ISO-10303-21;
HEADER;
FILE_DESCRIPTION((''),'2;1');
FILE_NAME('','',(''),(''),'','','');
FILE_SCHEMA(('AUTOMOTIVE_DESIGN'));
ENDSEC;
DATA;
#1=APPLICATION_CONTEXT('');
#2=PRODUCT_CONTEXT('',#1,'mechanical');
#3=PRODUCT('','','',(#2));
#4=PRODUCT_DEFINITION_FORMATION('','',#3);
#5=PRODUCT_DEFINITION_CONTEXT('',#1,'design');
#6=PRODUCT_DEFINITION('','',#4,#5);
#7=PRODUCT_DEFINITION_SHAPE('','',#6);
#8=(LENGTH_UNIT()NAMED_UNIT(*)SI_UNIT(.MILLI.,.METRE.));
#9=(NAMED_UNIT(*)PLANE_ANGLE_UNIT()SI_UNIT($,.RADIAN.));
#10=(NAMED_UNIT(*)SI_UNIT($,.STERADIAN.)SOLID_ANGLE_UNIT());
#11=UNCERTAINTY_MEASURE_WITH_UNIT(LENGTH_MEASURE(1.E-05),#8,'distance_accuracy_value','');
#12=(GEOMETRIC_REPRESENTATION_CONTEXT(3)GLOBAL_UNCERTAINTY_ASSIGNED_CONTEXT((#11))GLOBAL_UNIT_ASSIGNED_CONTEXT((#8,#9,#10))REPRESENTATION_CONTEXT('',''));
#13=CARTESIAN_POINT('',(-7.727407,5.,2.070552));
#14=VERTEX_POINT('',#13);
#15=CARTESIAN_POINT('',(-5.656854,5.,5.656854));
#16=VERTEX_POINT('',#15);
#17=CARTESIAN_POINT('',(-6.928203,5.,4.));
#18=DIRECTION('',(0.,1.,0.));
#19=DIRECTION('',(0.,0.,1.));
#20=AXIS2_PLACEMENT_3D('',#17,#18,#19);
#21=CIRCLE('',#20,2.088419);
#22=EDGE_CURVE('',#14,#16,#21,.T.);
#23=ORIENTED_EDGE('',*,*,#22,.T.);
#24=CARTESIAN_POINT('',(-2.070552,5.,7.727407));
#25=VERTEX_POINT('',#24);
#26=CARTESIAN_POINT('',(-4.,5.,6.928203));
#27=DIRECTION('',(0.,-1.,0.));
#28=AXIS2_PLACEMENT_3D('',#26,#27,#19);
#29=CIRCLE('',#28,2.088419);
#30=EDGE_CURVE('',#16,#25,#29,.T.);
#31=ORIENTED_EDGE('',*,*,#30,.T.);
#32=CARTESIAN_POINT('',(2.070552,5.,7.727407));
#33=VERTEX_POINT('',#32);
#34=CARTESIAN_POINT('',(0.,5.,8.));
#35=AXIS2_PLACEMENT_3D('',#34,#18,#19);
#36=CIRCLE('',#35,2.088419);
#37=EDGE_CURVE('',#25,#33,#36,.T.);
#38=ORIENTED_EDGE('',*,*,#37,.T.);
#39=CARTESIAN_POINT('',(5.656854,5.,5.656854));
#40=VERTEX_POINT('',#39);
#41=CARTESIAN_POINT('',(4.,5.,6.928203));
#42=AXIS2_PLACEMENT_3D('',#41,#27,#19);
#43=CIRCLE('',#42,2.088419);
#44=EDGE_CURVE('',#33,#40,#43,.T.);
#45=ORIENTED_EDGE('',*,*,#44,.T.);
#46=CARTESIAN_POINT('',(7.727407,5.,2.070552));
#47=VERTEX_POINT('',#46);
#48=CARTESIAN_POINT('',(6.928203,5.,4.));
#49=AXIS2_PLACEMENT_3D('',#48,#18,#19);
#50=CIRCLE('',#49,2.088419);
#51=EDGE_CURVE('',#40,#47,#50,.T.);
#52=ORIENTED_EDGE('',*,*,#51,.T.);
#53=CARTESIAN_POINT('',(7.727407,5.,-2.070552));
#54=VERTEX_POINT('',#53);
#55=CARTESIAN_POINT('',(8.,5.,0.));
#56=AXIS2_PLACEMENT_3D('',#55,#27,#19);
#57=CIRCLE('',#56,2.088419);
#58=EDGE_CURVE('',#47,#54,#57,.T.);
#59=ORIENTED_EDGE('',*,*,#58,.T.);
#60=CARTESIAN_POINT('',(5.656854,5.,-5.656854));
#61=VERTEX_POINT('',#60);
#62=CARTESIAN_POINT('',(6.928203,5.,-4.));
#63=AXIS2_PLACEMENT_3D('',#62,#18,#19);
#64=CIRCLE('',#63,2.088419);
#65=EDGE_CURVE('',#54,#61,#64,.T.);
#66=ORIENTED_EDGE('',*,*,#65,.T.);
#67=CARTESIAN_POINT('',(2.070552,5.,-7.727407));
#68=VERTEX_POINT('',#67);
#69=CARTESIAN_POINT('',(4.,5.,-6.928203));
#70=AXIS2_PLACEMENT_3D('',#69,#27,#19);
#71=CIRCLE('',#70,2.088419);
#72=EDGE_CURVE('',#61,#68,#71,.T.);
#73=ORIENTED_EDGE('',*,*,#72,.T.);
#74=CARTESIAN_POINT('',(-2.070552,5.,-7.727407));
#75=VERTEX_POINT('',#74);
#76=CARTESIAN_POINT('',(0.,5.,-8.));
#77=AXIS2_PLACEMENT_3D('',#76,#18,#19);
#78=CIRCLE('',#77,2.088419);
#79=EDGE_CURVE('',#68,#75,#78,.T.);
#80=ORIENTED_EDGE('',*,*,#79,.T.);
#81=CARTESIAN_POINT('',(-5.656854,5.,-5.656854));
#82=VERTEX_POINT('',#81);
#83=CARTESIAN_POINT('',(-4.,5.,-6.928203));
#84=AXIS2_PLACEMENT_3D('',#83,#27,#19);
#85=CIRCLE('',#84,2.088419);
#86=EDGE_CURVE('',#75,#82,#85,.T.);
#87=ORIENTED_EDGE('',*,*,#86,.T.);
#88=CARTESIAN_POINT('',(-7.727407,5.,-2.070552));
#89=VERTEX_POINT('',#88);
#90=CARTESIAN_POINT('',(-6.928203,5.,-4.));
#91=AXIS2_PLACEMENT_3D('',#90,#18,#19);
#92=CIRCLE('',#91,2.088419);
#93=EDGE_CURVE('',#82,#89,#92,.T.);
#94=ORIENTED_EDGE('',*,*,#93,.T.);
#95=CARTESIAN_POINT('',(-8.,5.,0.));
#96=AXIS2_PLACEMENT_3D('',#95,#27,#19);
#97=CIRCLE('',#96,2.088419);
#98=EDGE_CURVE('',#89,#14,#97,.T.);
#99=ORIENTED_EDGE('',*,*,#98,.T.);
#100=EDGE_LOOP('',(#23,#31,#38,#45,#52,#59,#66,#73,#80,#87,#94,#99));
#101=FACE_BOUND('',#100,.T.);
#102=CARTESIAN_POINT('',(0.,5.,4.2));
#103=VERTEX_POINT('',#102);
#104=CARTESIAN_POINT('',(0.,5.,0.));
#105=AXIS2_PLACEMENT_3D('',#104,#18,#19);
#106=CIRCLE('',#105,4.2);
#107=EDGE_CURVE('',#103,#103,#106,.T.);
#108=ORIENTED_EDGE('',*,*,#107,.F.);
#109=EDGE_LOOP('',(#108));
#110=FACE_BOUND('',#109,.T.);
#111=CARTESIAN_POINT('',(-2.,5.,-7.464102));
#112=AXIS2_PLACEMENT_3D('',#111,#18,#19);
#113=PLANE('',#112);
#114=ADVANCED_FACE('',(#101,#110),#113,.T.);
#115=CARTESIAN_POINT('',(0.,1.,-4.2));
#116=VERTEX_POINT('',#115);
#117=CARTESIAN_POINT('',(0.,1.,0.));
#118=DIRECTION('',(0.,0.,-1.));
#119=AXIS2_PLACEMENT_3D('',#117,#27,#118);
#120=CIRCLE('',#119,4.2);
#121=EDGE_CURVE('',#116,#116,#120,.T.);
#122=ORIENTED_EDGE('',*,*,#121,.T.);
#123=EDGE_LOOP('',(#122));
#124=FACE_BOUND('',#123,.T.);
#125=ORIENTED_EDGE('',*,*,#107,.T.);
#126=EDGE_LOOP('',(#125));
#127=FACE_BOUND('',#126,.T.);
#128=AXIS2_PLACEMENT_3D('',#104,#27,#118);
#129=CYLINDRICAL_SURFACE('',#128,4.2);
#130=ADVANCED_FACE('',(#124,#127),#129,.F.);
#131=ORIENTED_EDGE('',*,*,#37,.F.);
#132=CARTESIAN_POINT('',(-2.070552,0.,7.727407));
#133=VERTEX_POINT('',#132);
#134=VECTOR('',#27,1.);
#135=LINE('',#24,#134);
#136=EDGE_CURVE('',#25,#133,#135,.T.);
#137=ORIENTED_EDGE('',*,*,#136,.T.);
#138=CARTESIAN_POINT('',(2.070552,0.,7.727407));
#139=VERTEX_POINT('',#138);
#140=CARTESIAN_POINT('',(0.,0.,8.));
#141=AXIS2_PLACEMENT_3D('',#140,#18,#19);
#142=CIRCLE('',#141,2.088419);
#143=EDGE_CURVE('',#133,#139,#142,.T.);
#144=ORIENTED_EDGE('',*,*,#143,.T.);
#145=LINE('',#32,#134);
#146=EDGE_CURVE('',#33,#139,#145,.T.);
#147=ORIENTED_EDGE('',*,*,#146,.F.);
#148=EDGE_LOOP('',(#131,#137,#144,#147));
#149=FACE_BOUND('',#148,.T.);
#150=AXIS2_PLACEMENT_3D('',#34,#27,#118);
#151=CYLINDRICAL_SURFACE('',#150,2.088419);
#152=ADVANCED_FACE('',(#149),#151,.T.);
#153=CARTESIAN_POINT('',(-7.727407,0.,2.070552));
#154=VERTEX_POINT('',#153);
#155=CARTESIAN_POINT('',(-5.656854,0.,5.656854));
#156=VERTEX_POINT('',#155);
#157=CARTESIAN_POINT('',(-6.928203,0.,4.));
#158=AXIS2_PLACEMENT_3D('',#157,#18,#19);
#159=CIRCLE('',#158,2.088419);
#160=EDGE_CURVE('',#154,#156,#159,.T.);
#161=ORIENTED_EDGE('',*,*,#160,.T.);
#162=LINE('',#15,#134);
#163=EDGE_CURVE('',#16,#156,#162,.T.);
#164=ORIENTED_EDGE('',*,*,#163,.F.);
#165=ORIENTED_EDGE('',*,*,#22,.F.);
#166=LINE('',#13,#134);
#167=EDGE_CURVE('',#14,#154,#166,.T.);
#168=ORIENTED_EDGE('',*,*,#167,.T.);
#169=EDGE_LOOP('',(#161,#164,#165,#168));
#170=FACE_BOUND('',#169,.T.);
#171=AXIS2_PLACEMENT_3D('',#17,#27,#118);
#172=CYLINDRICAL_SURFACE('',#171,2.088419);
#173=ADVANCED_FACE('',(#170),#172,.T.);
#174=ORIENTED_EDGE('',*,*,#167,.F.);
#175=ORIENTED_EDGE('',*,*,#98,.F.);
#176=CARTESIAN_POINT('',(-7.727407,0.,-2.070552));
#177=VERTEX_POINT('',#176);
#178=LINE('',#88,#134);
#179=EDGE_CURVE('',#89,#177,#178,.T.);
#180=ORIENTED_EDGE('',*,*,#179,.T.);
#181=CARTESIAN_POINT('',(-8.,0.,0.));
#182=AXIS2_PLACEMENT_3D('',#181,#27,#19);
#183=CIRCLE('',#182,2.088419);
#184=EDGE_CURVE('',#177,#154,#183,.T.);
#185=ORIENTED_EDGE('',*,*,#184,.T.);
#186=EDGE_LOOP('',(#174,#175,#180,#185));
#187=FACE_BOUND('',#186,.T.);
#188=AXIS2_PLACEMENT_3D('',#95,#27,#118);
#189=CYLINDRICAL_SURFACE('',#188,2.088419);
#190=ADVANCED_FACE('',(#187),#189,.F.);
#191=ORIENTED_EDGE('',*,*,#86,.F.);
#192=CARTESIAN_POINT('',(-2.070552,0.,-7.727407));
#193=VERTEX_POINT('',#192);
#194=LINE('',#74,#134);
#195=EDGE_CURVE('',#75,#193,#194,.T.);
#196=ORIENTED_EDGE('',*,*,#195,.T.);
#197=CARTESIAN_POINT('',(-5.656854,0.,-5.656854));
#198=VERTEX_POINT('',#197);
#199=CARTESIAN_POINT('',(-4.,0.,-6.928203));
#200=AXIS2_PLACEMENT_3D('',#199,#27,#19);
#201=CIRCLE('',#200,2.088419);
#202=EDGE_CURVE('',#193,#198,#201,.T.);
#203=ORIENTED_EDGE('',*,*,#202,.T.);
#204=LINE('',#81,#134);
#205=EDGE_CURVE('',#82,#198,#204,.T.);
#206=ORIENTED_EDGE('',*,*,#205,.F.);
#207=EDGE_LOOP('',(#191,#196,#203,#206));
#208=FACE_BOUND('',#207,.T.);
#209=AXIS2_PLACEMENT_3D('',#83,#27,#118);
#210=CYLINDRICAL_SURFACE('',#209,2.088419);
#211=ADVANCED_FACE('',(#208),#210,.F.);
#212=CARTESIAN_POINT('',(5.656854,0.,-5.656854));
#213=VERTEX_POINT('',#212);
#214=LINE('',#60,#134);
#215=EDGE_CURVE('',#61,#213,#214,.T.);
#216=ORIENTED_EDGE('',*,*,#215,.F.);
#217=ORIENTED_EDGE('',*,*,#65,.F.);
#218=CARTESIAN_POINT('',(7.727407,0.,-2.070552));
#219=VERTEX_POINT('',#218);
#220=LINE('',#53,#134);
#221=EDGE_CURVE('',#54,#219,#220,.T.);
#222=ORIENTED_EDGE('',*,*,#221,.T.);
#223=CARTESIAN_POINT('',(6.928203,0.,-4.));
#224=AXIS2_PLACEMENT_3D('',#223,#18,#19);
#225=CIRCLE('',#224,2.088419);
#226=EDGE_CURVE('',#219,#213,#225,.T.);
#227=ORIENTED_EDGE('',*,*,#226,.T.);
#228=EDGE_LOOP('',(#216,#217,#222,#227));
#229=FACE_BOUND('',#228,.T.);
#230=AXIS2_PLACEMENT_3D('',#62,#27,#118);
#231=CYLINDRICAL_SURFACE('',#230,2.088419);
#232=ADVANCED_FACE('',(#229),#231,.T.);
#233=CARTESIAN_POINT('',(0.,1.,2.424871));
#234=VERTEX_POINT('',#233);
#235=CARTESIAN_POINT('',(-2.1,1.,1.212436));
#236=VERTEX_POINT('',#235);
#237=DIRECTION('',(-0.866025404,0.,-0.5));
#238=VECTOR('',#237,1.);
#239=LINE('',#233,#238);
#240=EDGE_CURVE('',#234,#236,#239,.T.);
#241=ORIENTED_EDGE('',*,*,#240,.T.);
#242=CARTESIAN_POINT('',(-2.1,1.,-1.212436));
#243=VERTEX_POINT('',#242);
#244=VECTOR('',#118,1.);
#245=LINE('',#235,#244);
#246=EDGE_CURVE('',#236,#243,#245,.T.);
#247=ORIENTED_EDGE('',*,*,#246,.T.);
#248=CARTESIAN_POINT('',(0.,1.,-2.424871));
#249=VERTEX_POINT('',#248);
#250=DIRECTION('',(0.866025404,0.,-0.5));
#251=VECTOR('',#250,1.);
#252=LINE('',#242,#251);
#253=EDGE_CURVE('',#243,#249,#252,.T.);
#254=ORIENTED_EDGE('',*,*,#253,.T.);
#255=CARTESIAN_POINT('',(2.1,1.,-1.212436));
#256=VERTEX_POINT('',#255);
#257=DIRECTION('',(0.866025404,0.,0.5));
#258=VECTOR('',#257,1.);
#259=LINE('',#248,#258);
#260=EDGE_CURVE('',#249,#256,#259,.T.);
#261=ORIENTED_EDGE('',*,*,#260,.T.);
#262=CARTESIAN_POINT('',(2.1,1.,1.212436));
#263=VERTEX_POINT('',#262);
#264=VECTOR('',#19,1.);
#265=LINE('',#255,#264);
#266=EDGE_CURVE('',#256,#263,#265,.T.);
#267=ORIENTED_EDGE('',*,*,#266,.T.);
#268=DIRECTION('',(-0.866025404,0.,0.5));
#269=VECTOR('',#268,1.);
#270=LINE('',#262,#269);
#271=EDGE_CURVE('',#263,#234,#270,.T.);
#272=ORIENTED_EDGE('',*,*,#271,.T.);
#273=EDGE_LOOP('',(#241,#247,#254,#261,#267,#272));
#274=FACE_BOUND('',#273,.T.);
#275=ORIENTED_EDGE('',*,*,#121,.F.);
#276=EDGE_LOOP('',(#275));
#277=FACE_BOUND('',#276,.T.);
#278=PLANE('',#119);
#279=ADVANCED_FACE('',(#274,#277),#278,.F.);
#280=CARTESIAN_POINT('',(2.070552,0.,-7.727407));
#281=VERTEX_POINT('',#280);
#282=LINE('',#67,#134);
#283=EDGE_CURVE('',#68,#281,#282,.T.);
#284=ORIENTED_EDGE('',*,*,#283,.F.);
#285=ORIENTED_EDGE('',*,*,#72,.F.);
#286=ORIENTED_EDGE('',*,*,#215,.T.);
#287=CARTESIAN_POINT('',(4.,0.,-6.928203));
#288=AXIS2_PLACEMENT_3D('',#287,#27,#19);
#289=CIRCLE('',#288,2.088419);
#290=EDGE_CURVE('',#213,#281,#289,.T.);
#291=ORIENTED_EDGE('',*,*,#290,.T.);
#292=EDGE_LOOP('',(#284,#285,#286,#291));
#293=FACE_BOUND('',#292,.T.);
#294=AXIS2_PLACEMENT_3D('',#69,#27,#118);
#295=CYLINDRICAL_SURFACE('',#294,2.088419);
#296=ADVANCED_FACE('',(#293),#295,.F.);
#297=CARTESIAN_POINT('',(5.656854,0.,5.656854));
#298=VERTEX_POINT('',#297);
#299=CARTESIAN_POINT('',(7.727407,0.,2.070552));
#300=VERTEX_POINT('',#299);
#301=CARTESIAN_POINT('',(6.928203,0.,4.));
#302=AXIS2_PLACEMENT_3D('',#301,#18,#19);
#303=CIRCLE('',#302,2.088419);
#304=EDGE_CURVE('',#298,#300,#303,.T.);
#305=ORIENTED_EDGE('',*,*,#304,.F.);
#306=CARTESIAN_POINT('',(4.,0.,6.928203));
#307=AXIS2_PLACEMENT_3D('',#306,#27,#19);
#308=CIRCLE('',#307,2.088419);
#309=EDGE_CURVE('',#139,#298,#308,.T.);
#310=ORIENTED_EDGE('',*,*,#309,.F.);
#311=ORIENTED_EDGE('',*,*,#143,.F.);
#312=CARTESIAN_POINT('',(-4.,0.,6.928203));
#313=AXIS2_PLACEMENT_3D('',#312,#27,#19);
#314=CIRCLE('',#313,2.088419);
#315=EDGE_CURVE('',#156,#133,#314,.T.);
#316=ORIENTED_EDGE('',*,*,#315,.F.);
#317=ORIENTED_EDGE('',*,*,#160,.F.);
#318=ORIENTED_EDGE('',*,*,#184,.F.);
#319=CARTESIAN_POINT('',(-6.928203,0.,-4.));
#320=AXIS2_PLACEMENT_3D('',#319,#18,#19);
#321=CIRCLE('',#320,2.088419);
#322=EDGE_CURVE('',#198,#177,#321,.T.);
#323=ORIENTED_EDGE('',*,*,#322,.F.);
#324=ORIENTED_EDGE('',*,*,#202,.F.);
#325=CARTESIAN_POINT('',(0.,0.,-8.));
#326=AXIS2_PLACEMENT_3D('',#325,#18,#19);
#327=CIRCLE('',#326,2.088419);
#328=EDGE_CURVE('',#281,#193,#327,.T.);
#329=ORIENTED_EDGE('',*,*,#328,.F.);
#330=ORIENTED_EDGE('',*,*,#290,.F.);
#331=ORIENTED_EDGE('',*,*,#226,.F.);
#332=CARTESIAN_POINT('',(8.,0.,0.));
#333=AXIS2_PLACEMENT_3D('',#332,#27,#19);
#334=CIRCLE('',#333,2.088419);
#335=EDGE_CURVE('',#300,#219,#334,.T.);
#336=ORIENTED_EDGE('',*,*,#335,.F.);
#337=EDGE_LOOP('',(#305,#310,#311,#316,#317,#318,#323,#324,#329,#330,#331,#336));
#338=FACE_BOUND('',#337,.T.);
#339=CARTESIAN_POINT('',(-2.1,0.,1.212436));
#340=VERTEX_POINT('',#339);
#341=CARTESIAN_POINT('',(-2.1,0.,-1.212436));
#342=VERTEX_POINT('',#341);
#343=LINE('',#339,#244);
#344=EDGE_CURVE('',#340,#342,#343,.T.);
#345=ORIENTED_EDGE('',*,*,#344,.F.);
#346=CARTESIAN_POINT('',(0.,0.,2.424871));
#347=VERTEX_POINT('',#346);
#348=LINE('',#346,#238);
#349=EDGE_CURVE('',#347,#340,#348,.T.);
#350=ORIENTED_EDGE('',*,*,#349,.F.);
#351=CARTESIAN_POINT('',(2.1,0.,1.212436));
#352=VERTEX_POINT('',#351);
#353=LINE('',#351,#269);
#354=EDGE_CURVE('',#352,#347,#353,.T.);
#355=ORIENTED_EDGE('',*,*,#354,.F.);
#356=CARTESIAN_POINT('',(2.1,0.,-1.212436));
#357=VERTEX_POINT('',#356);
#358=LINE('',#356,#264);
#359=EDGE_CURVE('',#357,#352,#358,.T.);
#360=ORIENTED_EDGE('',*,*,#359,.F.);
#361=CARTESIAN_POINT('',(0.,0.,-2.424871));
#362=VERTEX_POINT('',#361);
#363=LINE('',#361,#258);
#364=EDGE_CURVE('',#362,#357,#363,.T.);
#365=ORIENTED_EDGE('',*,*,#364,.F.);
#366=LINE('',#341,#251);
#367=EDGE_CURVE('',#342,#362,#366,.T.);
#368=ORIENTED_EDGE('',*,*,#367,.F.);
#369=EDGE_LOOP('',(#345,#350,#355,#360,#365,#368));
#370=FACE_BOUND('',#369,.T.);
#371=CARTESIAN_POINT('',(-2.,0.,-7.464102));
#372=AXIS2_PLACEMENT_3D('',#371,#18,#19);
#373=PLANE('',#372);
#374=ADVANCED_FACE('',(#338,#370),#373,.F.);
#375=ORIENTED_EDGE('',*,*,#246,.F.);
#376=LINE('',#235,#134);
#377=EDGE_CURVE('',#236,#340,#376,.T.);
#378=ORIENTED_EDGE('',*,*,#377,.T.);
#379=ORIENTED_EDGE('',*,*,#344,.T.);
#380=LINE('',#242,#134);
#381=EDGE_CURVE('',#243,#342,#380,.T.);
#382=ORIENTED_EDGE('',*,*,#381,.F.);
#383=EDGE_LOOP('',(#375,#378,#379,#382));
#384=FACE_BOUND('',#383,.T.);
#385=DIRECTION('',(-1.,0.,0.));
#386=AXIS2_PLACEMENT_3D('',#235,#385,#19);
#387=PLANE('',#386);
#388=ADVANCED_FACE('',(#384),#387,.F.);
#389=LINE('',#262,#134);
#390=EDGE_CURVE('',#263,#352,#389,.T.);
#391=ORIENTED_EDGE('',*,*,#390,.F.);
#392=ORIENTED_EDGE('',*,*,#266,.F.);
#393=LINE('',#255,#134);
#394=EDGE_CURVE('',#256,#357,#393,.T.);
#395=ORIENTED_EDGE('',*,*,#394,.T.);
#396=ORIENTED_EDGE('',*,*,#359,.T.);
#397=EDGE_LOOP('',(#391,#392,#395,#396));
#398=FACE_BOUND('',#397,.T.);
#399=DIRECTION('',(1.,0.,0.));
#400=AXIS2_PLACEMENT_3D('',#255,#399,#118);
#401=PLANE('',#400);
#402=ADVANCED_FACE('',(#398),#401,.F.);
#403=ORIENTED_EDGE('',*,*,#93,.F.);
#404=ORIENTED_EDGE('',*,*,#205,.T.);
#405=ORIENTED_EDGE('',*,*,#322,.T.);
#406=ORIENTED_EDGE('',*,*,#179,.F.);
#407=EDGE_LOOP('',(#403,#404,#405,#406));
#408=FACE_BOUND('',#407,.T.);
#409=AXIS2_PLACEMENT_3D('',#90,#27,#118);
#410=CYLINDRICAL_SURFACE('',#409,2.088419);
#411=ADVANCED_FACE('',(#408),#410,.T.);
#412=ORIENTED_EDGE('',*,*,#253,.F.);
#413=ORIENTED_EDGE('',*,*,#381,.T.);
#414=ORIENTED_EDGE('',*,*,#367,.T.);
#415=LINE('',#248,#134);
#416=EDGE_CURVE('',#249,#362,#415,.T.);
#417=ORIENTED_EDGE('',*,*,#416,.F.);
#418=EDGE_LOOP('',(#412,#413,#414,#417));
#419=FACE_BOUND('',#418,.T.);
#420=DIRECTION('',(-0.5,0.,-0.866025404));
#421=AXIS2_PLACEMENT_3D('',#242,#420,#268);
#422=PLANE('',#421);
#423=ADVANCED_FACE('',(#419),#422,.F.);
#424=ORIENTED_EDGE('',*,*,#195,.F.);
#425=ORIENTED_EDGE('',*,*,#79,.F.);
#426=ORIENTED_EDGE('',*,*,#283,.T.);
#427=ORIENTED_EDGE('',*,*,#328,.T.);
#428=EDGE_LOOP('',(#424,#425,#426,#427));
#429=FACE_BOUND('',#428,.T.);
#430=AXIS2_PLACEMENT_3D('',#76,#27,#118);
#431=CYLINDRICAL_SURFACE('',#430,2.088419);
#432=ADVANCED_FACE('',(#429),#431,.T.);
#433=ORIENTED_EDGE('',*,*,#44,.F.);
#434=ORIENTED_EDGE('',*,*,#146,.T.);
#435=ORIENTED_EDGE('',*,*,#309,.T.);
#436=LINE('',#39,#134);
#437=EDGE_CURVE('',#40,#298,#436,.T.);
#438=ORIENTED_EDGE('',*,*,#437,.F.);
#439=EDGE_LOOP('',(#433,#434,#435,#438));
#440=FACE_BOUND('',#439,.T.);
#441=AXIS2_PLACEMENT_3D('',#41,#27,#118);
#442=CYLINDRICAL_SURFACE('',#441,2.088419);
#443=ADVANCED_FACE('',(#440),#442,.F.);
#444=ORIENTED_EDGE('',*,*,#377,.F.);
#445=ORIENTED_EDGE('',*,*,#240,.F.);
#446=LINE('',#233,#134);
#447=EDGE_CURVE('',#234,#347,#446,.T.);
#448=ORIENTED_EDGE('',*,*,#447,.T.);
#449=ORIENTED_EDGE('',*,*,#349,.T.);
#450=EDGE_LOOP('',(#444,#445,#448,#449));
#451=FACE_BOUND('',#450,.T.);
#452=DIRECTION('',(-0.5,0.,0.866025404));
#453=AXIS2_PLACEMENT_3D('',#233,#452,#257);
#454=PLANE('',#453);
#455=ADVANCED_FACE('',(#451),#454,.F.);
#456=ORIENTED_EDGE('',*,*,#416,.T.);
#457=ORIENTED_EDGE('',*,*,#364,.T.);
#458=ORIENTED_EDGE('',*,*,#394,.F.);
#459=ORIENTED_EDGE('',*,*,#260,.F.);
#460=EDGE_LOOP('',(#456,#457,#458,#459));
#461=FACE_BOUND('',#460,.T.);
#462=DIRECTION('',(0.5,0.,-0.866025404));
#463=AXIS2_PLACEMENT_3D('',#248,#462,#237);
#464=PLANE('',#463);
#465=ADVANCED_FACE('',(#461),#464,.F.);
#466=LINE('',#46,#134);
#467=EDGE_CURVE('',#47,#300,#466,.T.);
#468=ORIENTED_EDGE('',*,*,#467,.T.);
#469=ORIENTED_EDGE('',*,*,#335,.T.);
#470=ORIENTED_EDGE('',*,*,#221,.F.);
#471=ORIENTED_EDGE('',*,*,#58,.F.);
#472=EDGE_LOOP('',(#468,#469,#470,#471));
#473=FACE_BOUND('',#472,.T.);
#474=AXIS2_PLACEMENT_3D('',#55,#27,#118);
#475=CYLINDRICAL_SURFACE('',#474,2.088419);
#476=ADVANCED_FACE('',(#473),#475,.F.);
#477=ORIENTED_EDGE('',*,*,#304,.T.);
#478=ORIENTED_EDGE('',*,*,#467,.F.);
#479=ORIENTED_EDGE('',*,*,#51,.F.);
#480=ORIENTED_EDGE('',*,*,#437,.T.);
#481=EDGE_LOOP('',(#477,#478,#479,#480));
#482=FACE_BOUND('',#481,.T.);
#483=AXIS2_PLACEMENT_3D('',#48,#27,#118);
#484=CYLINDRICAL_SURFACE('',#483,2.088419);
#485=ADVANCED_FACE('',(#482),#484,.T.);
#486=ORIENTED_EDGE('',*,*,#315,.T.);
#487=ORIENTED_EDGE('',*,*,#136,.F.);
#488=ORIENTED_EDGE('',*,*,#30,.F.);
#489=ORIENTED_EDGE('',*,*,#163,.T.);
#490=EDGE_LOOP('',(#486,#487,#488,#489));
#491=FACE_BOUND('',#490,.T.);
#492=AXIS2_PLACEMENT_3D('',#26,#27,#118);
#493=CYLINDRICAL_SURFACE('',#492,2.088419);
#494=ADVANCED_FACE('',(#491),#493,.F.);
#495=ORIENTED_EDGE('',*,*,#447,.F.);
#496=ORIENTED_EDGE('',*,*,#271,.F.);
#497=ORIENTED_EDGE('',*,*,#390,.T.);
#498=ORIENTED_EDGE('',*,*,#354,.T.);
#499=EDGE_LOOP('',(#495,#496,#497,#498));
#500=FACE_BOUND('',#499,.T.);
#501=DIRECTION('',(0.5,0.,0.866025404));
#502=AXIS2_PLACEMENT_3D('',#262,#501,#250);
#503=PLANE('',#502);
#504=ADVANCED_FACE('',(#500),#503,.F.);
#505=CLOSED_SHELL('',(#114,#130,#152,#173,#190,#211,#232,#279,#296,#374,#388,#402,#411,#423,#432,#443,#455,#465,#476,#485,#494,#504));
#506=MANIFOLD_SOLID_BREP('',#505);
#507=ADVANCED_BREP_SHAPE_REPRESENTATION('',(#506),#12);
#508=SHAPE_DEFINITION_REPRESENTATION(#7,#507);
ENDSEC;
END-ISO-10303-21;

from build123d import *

# Parameters (mm, degrees)
SKETCH1_R           = 4.2
BOSS_EXTRUDE1_DEPTH = 5
SKETCH2_R           = 4.2
BOSS_EXTRUDE2_DEPTH = 1


with BuildPart() as part:
    # Sketch1 → Boss-Extrude1 (new body)
    with BuildSketch(Plane(origin=(0, 0, 0), x_dir=(1, 0, 0), z_dir=(0, 1, 0))):
        with BuildLine():
            ThreePointArc((2.070552361, 7.72740661), (0, 10.088419076), (-2.070552361, 7.72740661))
            ThreePointArc((-2.070552361, 7.72740661), (-2.955790462, 5.119579257), (-5.656854249, 5.656854249))
            ThreePointArc((-5.656854249, 5.656854249), (-8.736827203, 5.044209538), (-7.72740661, 2.070552361))
            ThreePointArc((-7.72740661, 2.070552361), (-5.911580924, 0), (-7.72740661, -2.070552361))
            ThreePointArc((-7.72740661, -2.070552361), (-8.736827203, -5.044209538), (-5.656854249, -5.656854249))
            ThreePointArc((-5.656854249, -5.656854249), (-2.955790462, -5.119579257), (-2.070552361, -7.72740661))
            ThreePointArc((-2.070552361, -7.72740661), (0, -10.088419076), (2.070552361, -7.72740661))
            ThreePointArc((2.070552361, -7.72740661), (2.955790462, -5.119579257), (5.656854249, -5.656854249))
            ThreePointArc((5.656854249, -5.656854249), (8.736827203, -5.044209538), (7.72740661, -2.070552361))
            ThreePointArc((7.72740661, -2.070552361), (5.911580924, 0), (7.72740661, 2.070552361))
            ThreePointArc((7.72740661, 2.070552361), (8.736827203, 5.044209538), (5.656854249, 5.656854249))
            ThreePointArc((5.656854249, 5.656854249), (2.955790462, 5.119579257), (2.070552361, 7.72740661))
        make_face()
        with Locations(Location((0, 0, 0), (0, 0, 270))):
            Circle(SKETCH1_R, mode=Mode.SUBTRACT)
    extrude(amount=BOSS_EXTRUDE1_DEPTH)

    # Sketch2 → Boss-Extrude2 (add)
    with BuildSketch(Plane.XZ):
        with Locations(Location((0, 0, 0), (0, 0, 270))):
            Circle(SKETCH2_R)
        Polygon((0, 2.424871131), (-2.1, 1.212435565), (-2.1, -1.212435565), (0, -2.424871131), (2.1, -1.212435565), (2.1, 1.212435565), align=None, mode=Mode.SUBTRACT)
    extrude(amount=-BOSS_EXTRUDE2_DEPTH)


solid = part.part
